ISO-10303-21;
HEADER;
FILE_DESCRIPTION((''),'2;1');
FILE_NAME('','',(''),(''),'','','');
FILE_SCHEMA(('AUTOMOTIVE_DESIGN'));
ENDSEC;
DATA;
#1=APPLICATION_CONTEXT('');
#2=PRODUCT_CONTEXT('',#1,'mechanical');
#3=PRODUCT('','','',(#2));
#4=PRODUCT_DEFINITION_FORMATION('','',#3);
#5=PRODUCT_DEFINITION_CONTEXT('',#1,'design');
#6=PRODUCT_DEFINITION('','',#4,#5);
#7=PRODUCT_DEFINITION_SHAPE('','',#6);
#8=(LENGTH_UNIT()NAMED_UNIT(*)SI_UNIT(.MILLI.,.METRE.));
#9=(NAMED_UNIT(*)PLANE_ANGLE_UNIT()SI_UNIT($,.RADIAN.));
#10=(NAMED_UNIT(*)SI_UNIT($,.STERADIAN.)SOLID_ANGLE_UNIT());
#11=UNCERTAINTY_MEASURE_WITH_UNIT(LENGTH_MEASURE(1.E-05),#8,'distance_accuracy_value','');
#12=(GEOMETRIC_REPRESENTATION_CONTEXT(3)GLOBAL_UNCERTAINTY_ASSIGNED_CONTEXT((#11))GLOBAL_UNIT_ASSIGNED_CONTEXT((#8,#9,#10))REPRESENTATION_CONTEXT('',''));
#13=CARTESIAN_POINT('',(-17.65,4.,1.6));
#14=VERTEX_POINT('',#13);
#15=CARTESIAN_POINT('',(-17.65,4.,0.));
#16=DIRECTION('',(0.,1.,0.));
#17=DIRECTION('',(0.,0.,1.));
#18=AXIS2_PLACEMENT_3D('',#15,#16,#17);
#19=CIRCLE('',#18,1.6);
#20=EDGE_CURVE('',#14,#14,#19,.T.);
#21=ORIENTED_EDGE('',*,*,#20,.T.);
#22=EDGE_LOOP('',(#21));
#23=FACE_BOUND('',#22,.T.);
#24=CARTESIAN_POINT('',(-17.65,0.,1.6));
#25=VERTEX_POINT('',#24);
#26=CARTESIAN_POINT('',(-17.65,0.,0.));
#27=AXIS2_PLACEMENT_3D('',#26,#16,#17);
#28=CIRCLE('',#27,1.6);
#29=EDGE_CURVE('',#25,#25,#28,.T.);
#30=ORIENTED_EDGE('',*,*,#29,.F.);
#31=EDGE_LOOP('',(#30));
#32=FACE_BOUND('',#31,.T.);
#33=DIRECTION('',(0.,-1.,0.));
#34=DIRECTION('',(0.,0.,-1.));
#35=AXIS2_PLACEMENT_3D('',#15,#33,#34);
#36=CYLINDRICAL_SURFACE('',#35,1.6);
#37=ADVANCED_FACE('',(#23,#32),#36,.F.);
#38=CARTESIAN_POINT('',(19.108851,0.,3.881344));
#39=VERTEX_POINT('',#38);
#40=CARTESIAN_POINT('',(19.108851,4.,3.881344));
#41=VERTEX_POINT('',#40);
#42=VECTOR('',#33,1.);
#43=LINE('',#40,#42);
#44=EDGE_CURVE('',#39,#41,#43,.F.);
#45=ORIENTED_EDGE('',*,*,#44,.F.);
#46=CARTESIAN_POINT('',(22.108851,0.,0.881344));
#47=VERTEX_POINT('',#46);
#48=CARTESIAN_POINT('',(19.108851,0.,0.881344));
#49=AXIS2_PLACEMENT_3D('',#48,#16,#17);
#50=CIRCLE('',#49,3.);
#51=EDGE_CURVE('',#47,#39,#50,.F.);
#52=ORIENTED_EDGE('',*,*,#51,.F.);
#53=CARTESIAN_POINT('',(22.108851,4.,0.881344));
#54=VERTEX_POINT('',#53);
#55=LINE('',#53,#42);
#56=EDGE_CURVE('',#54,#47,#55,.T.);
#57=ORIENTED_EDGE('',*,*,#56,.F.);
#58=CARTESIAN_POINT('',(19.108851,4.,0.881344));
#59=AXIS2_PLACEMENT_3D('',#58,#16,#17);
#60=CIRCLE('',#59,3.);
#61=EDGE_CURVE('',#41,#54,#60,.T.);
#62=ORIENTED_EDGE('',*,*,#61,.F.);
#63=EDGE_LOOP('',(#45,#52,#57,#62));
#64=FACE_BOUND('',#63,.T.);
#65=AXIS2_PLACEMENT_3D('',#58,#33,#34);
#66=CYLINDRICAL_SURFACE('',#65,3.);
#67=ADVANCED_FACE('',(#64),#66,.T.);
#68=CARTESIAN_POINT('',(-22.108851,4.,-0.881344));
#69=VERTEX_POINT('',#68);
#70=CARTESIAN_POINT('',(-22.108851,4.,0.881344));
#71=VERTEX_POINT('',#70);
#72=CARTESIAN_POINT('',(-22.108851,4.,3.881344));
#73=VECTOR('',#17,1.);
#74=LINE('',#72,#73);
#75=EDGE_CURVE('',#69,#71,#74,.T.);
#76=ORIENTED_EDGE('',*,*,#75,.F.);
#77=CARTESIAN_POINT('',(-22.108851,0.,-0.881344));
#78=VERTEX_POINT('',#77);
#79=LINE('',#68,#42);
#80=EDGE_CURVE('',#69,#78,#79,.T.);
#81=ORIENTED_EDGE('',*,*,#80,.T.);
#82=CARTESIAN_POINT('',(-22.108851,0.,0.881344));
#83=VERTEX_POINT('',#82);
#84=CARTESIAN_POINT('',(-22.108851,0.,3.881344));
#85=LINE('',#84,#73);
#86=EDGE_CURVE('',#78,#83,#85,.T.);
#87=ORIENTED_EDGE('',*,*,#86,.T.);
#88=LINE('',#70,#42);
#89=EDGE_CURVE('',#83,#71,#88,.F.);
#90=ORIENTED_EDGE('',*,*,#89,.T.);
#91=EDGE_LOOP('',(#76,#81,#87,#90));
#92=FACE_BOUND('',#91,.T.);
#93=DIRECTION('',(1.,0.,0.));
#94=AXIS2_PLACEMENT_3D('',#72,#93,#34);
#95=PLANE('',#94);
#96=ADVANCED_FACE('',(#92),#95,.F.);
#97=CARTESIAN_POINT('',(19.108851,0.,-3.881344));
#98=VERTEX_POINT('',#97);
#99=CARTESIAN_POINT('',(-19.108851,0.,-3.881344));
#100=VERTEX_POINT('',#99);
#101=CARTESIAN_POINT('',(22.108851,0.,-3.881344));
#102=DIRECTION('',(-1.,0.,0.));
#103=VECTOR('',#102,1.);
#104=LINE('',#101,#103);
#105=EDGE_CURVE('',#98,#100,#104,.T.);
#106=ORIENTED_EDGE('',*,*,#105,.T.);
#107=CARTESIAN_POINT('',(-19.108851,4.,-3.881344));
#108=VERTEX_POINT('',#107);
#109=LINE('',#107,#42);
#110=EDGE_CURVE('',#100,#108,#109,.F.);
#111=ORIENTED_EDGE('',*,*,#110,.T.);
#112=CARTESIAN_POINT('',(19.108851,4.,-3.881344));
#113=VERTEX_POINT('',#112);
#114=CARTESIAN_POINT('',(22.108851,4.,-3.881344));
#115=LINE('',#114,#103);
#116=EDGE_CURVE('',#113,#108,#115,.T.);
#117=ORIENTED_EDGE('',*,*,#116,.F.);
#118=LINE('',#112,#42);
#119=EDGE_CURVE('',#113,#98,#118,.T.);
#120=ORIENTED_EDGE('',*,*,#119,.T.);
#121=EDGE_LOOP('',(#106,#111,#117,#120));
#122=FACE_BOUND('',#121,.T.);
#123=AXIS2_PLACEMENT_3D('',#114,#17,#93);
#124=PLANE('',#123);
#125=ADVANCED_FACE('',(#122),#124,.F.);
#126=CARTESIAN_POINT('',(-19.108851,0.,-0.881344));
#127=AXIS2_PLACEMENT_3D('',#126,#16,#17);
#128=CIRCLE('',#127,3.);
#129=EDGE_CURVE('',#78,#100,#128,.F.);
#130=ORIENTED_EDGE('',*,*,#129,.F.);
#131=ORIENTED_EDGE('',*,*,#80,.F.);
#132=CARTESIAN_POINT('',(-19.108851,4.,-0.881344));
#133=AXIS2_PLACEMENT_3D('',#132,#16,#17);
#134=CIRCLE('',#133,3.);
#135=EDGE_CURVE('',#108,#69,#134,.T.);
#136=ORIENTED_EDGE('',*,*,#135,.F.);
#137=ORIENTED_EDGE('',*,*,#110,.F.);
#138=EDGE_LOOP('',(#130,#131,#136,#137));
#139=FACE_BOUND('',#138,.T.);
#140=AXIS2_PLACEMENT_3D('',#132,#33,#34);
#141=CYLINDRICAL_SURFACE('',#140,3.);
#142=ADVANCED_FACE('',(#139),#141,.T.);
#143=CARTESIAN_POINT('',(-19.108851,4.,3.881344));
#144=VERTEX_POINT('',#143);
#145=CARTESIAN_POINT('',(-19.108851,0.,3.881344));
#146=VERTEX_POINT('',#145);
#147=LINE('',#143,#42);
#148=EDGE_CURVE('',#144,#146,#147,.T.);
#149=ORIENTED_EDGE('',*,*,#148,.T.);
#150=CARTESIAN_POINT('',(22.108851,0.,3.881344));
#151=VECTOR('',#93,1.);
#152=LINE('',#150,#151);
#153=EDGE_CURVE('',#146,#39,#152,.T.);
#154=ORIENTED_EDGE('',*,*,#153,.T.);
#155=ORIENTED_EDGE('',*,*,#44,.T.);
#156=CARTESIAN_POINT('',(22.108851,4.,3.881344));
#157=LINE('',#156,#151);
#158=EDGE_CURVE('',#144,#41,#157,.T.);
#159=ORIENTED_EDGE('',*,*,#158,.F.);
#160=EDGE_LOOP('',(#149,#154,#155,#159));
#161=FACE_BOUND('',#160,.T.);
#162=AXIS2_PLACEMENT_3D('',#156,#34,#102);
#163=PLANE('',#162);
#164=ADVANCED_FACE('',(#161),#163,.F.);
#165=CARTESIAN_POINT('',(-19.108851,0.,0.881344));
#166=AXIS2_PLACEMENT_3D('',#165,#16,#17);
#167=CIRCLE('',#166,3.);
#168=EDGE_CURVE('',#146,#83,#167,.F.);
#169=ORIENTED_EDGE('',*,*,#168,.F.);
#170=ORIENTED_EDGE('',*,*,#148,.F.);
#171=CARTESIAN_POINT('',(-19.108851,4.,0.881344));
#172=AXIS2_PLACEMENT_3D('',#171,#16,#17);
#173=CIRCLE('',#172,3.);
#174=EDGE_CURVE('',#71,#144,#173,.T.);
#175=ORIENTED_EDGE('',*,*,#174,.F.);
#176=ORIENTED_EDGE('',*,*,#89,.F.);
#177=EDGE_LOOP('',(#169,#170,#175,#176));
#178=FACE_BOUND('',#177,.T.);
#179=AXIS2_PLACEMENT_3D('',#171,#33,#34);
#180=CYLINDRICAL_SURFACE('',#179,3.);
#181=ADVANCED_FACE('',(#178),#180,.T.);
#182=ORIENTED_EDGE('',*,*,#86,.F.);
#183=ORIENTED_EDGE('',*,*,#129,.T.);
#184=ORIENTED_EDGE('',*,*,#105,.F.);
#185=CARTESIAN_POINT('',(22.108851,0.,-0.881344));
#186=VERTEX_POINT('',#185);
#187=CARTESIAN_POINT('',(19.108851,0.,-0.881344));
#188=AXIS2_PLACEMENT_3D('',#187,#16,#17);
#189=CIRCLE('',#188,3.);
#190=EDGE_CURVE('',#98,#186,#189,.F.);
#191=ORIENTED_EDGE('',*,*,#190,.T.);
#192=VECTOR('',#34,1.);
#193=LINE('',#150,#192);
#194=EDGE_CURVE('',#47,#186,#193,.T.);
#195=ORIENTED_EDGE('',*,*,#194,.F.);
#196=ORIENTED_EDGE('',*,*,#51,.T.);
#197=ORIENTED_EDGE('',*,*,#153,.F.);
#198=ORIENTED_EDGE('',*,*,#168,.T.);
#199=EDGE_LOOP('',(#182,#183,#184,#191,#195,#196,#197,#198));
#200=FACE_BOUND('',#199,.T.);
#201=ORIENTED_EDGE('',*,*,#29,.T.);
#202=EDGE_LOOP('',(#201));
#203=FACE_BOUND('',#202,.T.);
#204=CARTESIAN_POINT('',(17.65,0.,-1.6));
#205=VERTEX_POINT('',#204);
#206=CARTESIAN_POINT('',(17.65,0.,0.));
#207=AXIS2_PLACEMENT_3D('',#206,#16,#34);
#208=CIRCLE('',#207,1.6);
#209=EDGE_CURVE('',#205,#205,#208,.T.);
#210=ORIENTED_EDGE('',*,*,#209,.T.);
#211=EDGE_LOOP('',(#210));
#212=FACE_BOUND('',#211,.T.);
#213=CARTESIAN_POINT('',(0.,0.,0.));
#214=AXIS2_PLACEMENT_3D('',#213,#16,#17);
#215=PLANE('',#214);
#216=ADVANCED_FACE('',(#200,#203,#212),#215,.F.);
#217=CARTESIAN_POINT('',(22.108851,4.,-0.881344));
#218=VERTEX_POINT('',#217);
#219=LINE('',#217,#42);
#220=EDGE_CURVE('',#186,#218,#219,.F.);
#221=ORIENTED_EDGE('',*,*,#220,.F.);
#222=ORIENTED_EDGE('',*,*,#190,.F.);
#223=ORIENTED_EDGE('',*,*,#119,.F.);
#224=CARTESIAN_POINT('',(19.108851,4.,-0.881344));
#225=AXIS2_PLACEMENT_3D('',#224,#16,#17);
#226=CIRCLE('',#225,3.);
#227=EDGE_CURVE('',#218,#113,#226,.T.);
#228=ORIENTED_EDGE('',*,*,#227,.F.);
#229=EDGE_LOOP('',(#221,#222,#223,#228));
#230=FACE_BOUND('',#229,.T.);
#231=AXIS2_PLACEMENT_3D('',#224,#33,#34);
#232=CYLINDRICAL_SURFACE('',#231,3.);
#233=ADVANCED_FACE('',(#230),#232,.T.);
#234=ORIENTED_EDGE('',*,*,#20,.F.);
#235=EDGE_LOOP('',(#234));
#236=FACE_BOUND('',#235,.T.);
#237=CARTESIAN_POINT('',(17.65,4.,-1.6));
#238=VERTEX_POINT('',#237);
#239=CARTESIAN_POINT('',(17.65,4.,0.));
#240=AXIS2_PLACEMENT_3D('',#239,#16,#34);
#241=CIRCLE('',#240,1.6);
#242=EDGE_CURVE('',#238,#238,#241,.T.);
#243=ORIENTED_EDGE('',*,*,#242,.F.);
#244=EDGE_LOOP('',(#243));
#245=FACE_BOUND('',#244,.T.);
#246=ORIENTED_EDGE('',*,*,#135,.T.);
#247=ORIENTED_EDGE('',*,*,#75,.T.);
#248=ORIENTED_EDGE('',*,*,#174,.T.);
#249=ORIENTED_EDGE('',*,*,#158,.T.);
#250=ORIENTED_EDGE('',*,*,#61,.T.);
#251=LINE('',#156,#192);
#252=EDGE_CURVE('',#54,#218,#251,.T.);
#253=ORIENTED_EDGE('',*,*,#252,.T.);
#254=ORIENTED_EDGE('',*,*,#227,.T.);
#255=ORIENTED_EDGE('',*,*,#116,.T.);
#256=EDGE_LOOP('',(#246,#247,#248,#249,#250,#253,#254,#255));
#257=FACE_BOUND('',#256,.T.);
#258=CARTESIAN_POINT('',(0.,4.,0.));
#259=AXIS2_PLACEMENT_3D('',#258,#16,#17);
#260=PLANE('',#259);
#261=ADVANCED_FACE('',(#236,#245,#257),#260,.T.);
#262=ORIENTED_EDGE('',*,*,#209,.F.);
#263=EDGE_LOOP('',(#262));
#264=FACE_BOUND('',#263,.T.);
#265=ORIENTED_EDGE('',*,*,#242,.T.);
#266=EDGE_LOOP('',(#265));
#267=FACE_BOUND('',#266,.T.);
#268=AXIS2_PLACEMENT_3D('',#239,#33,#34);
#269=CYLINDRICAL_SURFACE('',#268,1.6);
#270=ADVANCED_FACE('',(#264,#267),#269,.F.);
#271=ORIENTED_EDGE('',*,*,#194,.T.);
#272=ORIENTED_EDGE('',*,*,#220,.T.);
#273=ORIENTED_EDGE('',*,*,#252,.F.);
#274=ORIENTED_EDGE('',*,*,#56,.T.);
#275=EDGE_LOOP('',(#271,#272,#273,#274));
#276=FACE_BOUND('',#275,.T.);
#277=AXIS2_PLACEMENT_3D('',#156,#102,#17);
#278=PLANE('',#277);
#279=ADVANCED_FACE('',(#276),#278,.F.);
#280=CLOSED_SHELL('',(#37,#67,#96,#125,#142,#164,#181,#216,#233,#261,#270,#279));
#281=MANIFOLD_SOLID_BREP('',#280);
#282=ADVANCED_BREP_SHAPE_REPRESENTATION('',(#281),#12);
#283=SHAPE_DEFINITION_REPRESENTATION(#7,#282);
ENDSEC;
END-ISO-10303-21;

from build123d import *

# Parameters (mm, degrees)
SKETCH_1_W      = 44.217702276
SKETCH_1_H      = 7.762687128
SKETCH_1_R      = 1.6
EXTRUDE_1_DEPTH = 4
FILLET_1_R      = 3


with BuildPart() as part:
    # 草图1 → 凸台-拉伸1 (new body)
    with BuildSketch(Plane(origin=(0, 0, 0), x_dir=(1, 0, 0), z_dir=(0, 1, 0))):
        Rectangle(SKETCH_1_W, SKETCH_1_H)
        with Locations((-17.65, 0)):
            Circle(SKETCH_1_R, mode=Mode.SUBTRACT)
        with Locations((17.65, 0)):
            Circle(SKETCH_1_R, mode=Mode.SUBTRACT)
    extrude(amount=EXTRUDE_1_DEPTH)

    # 圆角1
    fillet_1_edges = [part.edges().sort_by_distance(p)[0] for p in [
        (-22.108851138, 2, -3.881343564),
        (22.108851138, 2, -3.881343564),
        (22.108851138, 2, 3.881343564),
        (-22.108851138, 2, 3.881343564),
    ]]
    fillet(fillet_1_edges, radius=FILLET_1_R)


solid = part.part
